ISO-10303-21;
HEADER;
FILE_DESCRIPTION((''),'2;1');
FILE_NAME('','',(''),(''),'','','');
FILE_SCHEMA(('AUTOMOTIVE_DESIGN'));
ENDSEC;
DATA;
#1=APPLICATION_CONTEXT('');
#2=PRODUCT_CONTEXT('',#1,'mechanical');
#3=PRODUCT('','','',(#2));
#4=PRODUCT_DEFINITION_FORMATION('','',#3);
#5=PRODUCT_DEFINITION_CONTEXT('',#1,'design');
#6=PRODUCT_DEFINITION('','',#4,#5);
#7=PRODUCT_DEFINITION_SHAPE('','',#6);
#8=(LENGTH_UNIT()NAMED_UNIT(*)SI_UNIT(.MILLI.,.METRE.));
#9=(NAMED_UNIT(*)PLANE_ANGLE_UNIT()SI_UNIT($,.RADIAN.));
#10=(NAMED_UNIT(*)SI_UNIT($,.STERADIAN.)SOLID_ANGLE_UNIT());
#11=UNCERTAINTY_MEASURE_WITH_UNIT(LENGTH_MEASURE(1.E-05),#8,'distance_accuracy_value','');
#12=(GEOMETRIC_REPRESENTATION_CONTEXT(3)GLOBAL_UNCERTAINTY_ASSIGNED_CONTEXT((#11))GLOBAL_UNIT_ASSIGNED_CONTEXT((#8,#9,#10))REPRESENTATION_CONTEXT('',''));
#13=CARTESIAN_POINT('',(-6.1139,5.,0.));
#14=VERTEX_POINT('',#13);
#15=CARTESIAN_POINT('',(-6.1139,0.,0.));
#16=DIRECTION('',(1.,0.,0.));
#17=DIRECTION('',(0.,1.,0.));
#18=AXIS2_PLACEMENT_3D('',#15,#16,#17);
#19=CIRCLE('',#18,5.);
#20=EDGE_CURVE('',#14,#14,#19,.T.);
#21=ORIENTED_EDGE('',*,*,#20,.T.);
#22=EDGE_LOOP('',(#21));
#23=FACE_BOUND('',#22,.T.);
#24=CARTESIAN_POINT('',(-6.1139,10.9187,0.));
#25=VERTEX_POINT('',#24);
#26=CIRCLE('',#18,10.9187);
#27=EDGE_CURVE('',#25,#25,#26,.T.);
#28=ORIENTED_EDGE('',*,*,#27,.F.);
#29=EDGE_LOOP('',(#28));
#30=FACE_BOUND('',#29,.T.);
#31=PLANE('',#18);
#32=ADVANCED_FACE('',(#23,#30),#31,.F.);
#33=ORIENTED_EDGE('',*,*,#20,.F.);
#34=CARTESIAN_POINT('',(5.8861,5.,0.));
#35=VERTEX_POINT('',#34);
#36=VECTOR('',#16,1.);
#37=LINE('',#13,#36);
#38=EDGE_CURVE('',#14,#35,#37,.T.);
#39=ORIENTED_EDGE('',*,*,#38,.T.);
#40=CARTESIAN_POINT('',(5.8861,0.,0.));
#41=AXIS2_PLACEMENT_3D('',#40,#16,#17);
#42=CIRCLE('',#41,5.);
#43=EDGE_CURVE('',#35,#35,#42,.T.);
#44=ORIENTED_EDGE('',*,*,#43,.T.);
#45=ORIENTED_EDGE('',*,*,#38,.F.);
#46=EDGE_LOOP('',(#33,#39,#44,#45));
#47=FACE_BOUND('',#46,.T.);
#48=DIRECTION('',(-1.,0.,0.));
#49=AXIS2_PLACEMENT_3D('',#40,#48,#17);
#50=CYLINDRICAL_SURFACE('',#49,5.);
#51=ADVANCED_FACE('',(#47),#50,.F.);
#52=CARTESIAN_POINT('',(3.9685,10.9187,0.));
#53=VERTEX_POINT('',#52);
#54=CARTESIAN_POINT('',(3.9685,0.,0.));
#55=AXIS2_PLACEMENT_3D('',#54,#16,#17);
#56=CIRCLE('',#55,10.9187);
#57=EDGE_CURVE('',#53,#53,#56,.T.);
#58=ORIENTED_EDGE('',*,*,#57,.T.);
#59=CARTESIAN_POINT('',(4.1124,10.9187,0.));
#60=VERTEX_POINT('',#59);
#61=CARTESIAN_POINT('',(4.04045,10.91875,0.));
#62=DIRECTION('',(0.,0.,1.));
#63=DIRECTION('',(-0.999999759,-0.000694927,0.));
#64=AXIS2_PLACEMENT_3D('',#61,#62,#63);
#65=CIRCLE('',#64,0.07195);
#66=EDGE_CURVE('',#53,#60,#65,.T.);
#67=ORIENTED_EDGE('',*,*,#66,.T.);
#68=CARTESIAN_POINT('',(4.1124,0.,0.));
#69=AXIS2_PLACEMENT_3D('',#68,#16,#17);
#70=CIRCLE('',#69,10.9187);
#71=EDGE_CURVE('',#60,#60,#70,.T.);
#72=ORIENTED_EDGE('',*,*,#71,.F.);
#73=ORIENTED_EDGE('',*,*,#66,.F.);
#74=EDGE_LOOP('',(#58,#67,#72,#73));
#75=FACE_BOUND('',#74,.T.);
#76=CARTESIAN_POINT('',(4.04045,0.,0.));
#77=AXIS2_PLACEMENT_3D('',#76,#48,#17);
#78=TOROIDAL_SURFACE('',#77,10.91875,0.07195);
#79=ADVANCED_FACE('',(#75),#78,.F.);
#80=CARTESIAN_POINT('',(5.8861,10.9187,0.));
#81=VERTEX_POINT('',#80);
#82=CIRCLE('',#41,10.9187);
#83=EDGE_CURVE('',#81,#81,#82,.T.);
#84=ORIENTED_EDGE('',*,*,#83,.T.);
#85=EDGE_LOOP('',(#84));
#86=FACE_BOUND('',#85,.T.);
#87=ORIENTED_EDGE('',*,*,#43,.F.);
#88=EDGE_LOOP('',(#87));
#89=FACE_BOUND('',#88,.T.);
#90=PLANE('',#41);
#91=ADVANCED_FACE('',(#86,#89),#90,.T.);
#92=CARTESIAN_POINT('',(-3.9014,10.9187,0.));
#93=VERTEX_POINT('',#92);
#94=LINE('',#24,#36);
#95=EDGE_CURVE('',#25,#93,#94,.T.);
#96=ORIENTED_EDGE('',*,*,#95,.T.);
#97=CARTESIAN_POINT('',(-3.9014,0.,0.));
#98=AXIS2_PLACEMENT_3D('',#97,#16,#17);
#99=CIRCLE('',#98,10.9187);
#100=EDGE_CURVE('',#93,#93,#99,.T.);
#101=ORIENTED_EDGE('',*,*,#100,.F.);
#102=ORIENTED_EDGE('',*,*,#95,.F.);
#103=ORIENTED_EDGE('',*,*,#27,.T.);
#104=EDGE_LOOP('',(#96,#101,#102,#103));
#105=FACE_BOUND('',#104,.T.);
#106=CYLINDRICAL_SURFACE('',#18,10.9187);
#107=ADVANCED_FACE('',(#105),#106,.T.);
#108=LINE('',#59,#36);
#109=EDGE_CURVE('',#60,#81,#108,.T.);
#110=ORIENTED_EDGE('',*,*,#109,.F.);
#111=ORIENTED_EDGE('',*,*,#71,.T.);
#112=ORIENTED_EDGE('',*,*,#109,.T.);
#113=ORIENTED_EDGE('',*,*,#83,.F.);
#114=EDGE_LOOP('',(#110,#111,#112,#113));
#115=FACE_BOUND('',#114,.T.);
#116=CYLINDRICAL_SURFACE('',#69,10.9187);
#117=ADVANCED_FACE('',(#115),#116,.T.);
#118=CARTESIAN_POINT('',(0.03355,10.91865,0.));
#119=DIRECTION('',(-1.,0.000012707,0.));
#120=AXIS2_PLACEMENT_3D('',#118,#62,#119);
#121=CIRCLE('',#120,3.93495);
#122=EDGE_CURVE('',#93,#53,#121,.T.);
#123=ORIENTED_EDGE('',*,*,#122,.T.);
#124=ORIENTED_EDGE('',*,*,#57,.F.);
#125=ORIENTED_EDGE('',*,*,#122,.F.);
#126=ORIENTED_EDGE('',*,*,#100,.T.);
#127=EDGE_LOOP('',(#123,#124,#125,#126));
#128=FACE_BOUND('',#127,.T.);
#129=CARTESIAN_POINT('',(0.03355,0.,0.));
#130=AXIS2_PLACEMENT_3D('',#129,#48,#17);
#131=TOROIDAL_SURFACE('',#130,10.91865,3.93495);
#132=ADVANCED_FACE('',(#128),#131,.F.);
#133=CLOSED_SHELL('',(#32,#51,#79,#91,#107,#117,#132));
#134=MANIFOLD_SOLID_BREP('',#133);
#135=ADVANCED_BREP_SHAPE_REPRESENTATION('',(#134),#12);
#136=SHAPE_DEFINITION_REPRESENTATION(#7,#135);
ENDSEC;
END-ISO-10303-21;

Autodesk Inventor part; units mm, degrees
ref_plane "YZ Plane" through (0, 0, 0) normal (1, 0, 0) x (0, 1, 0)
ref_plane "XZ Plane" through (0, 0, 0) normal (0, 1, 0) x (-1, 0, 0)
ref_plane "XY Plane" through (0, 0, 0) normal (0, 0, 1) x (1, 0, 0)
sketch "Skizze1" plane through (0, 0, 0) normal (0, 0, 1) x (1, 0, 0)
  line L0 (-6.1139, 5) -> (-6.1139, 10.9187)
  line L1 (-6.1139, 10.9187) -> (-3.9014, 10.9187)
  arc A0 (-3.9014, 10.9187) -> (3.9685, 10.9187) centre (0.0336, 10.9187) ccw
  arc A1 (3.9685, 10.9187) -> (4.1124, 10.9187) centre (4.0404, 10.9187) ccw
  line L2 (4.1124, 10.9187) -> (5.8861, 10.9187)
  line L3 (5.8861, 10.9187) -> (5.8861, 5)
  line L4 (5.8861, 5) -> (-6.1139, 5)
  line L5 (0, -2.1837) -> (0, 13.1025) projected
  line L6 (-8.5139, 0) -> (8.2861, 0) projected
  point P0 (0, 0)
  dimension "d0" = 5
  dimension "d1" = 12
revolve "Umdrehung1" add sketch "Skizze1" angle 360 about axis through (-10, 0, 0) along (1, 0, 0)
properties part number "Riemenadapter"
